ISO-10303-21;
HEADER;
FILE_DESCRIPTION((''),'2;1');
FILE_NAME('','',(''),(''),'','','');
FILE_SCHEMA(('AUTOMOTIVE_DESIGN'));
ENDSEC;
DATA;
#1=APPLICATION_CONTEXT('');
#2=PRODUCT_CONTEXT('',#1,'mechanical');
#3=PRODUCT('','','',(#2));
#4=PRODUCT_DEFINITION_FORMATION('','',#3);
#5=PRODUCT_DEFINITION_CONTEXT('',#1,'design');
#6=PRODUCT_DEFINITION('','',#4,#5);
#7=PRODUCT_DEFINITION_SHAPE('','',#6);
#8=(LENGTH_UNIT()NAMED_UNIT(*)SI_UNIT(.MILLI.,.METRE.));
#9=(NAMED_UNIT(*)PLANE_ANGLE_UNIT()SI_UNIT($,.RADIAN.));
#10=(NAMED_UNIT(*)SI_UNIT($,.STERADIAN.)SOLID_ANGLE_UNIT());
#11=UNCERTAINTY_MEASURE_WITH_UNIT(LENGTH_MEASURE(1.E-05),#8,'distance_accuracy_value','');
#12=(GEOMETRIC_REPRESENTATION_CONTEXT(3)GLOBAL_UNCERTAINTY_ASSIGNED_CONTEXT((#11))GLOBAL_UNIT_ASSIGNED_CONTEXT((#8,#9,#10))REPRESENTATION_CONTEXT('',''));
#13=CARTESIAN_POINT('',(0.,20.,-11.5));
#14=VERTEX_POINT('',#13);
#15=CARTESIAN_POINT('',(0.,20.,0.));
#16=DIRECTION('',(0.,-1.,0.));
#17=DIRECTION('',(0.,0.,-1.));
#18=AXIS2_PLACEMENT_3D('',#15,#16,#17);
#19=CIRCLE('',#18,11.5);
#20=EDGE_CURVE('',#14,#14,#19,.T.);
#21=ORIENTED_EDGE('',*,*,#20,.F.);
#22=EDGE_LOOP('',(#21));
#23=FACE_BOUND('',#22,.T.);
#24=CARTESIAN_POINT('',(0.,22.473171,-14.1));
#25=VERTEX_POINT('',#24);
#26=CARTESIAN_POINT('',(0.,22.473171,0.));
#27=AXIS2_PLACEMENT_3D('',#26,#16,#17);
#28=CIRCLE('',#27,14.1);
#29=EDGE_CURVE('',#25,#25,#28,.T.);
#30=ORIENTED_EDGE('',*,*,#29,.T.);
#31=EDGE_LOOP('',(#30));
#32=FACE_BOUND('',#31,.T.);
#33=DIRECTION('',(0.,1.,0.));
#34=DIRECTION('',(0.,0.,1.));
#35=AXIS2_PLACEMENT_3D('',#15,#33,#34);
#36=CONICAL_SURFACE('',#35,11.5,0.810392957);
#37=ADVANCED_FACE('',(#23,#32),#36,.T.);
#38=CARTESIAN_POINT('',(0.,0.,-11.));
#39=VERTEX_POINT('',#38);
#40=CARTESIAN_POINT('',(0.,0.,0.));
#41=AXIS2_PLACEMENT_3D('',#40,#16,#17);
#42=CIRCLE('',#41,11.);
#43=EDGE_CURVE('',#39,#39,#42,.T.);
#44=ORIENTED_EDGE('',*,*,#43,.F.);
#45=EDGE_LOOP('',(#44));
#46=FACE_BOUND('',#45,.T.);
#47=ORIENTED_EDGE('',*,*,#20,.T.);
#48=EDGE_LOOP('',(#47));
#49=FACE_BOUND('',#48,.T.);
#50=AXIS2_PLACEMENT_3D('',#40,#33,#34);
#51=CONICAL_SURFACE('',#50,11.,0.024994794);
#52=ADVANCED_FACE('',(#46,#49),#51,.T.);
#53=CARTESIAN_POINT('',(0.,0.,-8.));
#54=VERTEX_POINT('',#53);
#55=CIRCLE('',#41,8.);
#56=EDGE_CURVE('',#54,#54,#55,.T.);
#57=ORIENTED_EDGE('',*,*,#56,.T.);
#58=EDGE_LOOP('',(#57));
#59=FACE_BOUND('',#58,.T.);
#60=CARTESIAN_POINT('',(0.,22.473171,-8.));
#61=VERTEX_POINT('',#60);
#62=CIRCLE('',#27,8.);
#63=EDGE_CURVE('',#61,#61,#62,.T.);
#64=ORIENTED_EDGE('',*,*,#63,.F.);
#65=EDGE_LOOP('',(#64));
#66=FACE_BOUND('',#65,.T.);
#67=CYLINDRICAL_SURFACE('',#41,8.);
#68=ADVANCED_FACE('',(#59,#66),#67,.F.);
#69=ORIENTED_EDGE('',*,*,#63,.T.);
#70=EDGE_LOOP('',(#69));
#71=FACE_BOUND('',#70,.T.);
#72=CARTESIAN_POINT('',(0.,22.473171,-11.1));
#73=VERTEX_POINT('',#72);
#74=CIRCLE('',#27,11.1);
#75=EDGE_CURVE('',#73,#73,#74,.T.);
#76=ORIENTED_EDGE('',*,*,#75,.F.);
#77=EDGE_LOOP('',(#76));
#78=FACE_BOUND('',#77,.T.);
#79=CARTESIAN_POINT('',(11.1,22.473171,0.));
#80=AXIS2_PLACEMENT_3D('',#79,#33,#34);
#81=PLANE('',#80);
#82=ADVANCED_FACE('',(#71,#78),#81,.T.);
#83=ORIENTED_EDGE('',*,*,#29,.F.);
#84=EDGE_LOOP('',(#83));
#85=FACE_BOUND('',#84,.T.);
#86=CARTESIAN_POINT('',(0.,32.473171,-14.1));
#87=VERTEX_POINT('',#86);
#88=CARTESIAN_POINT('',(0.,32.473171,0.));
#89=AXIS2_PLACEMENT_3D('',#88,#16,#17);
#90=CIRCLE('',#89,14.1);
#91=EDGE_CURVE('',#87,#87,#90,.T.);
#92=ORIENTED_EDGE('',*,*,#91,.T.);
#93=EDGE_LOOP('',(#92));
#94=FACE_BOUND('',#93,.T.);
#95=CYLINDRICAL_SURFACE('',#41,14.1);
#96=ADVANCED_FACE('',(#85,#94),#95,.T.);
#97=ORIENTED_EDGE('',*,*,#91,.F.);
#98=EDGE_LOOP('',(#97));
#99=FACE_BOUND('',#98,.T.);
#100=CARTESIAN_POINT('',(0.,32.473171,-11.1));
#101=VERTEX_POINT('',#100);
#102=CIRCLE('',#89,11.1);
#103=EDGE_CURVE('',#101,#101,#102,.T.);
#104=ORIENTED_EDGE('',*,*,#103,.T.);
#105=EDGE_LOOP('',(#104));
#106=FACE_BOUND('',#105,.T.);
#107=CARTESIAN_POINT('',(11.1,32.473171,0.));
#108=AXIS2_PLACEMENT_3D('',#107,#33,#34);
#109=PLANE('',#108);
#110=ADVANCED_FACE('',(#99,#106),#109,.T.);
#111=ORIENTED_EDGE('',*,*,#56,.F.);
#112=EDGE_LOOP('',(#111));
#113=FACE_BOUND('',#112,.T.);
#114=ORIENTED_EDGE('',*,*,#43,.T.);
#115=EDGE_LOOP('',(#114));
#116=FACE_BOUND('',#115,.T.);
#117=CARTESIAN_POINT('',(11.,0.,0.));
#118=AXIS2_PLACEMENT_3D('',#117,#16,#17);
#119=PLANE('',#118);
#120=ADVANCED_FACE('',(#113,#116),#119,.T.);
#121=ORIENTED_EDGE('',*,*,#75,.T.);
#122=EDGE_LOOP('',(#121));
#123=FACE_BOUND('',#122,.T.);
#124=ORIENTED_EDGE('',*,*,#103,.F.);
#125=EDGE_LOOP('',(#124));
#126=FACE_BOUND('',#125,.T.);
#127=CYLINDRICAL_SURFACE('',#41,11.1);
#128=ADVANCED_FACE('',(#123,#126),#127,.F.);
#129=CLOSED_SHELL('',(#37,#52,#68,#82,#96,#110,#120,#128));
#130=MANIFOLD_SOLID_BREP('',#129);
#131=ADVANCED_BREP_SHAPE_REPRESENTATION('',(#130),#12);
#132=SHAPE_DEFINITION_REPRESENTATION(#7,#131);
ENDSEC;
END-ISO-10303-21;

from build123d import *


with BuildPart() as part:
    # Sketch1 → Revolve1 (revolve)
    with BuildSketch(Plane.XY, mode=Mode.PRIVATE) as revolve1_sk:
        Polygon((11.1, 22.473170732), (11.1, 32.473170732), (14.1, 32.473170732), (14.1, 22.473170732), (11.5, 20), (11, 0), (8, 0), (8, 22.473170732), align=None)
    revolve(revolve1_sk.sketch.rotate(Axis((0, 0, 0), (0, 1, 0)), 90), axis=Axis((0, 0, 0), (0, 1, 0)))


solid = part.part
